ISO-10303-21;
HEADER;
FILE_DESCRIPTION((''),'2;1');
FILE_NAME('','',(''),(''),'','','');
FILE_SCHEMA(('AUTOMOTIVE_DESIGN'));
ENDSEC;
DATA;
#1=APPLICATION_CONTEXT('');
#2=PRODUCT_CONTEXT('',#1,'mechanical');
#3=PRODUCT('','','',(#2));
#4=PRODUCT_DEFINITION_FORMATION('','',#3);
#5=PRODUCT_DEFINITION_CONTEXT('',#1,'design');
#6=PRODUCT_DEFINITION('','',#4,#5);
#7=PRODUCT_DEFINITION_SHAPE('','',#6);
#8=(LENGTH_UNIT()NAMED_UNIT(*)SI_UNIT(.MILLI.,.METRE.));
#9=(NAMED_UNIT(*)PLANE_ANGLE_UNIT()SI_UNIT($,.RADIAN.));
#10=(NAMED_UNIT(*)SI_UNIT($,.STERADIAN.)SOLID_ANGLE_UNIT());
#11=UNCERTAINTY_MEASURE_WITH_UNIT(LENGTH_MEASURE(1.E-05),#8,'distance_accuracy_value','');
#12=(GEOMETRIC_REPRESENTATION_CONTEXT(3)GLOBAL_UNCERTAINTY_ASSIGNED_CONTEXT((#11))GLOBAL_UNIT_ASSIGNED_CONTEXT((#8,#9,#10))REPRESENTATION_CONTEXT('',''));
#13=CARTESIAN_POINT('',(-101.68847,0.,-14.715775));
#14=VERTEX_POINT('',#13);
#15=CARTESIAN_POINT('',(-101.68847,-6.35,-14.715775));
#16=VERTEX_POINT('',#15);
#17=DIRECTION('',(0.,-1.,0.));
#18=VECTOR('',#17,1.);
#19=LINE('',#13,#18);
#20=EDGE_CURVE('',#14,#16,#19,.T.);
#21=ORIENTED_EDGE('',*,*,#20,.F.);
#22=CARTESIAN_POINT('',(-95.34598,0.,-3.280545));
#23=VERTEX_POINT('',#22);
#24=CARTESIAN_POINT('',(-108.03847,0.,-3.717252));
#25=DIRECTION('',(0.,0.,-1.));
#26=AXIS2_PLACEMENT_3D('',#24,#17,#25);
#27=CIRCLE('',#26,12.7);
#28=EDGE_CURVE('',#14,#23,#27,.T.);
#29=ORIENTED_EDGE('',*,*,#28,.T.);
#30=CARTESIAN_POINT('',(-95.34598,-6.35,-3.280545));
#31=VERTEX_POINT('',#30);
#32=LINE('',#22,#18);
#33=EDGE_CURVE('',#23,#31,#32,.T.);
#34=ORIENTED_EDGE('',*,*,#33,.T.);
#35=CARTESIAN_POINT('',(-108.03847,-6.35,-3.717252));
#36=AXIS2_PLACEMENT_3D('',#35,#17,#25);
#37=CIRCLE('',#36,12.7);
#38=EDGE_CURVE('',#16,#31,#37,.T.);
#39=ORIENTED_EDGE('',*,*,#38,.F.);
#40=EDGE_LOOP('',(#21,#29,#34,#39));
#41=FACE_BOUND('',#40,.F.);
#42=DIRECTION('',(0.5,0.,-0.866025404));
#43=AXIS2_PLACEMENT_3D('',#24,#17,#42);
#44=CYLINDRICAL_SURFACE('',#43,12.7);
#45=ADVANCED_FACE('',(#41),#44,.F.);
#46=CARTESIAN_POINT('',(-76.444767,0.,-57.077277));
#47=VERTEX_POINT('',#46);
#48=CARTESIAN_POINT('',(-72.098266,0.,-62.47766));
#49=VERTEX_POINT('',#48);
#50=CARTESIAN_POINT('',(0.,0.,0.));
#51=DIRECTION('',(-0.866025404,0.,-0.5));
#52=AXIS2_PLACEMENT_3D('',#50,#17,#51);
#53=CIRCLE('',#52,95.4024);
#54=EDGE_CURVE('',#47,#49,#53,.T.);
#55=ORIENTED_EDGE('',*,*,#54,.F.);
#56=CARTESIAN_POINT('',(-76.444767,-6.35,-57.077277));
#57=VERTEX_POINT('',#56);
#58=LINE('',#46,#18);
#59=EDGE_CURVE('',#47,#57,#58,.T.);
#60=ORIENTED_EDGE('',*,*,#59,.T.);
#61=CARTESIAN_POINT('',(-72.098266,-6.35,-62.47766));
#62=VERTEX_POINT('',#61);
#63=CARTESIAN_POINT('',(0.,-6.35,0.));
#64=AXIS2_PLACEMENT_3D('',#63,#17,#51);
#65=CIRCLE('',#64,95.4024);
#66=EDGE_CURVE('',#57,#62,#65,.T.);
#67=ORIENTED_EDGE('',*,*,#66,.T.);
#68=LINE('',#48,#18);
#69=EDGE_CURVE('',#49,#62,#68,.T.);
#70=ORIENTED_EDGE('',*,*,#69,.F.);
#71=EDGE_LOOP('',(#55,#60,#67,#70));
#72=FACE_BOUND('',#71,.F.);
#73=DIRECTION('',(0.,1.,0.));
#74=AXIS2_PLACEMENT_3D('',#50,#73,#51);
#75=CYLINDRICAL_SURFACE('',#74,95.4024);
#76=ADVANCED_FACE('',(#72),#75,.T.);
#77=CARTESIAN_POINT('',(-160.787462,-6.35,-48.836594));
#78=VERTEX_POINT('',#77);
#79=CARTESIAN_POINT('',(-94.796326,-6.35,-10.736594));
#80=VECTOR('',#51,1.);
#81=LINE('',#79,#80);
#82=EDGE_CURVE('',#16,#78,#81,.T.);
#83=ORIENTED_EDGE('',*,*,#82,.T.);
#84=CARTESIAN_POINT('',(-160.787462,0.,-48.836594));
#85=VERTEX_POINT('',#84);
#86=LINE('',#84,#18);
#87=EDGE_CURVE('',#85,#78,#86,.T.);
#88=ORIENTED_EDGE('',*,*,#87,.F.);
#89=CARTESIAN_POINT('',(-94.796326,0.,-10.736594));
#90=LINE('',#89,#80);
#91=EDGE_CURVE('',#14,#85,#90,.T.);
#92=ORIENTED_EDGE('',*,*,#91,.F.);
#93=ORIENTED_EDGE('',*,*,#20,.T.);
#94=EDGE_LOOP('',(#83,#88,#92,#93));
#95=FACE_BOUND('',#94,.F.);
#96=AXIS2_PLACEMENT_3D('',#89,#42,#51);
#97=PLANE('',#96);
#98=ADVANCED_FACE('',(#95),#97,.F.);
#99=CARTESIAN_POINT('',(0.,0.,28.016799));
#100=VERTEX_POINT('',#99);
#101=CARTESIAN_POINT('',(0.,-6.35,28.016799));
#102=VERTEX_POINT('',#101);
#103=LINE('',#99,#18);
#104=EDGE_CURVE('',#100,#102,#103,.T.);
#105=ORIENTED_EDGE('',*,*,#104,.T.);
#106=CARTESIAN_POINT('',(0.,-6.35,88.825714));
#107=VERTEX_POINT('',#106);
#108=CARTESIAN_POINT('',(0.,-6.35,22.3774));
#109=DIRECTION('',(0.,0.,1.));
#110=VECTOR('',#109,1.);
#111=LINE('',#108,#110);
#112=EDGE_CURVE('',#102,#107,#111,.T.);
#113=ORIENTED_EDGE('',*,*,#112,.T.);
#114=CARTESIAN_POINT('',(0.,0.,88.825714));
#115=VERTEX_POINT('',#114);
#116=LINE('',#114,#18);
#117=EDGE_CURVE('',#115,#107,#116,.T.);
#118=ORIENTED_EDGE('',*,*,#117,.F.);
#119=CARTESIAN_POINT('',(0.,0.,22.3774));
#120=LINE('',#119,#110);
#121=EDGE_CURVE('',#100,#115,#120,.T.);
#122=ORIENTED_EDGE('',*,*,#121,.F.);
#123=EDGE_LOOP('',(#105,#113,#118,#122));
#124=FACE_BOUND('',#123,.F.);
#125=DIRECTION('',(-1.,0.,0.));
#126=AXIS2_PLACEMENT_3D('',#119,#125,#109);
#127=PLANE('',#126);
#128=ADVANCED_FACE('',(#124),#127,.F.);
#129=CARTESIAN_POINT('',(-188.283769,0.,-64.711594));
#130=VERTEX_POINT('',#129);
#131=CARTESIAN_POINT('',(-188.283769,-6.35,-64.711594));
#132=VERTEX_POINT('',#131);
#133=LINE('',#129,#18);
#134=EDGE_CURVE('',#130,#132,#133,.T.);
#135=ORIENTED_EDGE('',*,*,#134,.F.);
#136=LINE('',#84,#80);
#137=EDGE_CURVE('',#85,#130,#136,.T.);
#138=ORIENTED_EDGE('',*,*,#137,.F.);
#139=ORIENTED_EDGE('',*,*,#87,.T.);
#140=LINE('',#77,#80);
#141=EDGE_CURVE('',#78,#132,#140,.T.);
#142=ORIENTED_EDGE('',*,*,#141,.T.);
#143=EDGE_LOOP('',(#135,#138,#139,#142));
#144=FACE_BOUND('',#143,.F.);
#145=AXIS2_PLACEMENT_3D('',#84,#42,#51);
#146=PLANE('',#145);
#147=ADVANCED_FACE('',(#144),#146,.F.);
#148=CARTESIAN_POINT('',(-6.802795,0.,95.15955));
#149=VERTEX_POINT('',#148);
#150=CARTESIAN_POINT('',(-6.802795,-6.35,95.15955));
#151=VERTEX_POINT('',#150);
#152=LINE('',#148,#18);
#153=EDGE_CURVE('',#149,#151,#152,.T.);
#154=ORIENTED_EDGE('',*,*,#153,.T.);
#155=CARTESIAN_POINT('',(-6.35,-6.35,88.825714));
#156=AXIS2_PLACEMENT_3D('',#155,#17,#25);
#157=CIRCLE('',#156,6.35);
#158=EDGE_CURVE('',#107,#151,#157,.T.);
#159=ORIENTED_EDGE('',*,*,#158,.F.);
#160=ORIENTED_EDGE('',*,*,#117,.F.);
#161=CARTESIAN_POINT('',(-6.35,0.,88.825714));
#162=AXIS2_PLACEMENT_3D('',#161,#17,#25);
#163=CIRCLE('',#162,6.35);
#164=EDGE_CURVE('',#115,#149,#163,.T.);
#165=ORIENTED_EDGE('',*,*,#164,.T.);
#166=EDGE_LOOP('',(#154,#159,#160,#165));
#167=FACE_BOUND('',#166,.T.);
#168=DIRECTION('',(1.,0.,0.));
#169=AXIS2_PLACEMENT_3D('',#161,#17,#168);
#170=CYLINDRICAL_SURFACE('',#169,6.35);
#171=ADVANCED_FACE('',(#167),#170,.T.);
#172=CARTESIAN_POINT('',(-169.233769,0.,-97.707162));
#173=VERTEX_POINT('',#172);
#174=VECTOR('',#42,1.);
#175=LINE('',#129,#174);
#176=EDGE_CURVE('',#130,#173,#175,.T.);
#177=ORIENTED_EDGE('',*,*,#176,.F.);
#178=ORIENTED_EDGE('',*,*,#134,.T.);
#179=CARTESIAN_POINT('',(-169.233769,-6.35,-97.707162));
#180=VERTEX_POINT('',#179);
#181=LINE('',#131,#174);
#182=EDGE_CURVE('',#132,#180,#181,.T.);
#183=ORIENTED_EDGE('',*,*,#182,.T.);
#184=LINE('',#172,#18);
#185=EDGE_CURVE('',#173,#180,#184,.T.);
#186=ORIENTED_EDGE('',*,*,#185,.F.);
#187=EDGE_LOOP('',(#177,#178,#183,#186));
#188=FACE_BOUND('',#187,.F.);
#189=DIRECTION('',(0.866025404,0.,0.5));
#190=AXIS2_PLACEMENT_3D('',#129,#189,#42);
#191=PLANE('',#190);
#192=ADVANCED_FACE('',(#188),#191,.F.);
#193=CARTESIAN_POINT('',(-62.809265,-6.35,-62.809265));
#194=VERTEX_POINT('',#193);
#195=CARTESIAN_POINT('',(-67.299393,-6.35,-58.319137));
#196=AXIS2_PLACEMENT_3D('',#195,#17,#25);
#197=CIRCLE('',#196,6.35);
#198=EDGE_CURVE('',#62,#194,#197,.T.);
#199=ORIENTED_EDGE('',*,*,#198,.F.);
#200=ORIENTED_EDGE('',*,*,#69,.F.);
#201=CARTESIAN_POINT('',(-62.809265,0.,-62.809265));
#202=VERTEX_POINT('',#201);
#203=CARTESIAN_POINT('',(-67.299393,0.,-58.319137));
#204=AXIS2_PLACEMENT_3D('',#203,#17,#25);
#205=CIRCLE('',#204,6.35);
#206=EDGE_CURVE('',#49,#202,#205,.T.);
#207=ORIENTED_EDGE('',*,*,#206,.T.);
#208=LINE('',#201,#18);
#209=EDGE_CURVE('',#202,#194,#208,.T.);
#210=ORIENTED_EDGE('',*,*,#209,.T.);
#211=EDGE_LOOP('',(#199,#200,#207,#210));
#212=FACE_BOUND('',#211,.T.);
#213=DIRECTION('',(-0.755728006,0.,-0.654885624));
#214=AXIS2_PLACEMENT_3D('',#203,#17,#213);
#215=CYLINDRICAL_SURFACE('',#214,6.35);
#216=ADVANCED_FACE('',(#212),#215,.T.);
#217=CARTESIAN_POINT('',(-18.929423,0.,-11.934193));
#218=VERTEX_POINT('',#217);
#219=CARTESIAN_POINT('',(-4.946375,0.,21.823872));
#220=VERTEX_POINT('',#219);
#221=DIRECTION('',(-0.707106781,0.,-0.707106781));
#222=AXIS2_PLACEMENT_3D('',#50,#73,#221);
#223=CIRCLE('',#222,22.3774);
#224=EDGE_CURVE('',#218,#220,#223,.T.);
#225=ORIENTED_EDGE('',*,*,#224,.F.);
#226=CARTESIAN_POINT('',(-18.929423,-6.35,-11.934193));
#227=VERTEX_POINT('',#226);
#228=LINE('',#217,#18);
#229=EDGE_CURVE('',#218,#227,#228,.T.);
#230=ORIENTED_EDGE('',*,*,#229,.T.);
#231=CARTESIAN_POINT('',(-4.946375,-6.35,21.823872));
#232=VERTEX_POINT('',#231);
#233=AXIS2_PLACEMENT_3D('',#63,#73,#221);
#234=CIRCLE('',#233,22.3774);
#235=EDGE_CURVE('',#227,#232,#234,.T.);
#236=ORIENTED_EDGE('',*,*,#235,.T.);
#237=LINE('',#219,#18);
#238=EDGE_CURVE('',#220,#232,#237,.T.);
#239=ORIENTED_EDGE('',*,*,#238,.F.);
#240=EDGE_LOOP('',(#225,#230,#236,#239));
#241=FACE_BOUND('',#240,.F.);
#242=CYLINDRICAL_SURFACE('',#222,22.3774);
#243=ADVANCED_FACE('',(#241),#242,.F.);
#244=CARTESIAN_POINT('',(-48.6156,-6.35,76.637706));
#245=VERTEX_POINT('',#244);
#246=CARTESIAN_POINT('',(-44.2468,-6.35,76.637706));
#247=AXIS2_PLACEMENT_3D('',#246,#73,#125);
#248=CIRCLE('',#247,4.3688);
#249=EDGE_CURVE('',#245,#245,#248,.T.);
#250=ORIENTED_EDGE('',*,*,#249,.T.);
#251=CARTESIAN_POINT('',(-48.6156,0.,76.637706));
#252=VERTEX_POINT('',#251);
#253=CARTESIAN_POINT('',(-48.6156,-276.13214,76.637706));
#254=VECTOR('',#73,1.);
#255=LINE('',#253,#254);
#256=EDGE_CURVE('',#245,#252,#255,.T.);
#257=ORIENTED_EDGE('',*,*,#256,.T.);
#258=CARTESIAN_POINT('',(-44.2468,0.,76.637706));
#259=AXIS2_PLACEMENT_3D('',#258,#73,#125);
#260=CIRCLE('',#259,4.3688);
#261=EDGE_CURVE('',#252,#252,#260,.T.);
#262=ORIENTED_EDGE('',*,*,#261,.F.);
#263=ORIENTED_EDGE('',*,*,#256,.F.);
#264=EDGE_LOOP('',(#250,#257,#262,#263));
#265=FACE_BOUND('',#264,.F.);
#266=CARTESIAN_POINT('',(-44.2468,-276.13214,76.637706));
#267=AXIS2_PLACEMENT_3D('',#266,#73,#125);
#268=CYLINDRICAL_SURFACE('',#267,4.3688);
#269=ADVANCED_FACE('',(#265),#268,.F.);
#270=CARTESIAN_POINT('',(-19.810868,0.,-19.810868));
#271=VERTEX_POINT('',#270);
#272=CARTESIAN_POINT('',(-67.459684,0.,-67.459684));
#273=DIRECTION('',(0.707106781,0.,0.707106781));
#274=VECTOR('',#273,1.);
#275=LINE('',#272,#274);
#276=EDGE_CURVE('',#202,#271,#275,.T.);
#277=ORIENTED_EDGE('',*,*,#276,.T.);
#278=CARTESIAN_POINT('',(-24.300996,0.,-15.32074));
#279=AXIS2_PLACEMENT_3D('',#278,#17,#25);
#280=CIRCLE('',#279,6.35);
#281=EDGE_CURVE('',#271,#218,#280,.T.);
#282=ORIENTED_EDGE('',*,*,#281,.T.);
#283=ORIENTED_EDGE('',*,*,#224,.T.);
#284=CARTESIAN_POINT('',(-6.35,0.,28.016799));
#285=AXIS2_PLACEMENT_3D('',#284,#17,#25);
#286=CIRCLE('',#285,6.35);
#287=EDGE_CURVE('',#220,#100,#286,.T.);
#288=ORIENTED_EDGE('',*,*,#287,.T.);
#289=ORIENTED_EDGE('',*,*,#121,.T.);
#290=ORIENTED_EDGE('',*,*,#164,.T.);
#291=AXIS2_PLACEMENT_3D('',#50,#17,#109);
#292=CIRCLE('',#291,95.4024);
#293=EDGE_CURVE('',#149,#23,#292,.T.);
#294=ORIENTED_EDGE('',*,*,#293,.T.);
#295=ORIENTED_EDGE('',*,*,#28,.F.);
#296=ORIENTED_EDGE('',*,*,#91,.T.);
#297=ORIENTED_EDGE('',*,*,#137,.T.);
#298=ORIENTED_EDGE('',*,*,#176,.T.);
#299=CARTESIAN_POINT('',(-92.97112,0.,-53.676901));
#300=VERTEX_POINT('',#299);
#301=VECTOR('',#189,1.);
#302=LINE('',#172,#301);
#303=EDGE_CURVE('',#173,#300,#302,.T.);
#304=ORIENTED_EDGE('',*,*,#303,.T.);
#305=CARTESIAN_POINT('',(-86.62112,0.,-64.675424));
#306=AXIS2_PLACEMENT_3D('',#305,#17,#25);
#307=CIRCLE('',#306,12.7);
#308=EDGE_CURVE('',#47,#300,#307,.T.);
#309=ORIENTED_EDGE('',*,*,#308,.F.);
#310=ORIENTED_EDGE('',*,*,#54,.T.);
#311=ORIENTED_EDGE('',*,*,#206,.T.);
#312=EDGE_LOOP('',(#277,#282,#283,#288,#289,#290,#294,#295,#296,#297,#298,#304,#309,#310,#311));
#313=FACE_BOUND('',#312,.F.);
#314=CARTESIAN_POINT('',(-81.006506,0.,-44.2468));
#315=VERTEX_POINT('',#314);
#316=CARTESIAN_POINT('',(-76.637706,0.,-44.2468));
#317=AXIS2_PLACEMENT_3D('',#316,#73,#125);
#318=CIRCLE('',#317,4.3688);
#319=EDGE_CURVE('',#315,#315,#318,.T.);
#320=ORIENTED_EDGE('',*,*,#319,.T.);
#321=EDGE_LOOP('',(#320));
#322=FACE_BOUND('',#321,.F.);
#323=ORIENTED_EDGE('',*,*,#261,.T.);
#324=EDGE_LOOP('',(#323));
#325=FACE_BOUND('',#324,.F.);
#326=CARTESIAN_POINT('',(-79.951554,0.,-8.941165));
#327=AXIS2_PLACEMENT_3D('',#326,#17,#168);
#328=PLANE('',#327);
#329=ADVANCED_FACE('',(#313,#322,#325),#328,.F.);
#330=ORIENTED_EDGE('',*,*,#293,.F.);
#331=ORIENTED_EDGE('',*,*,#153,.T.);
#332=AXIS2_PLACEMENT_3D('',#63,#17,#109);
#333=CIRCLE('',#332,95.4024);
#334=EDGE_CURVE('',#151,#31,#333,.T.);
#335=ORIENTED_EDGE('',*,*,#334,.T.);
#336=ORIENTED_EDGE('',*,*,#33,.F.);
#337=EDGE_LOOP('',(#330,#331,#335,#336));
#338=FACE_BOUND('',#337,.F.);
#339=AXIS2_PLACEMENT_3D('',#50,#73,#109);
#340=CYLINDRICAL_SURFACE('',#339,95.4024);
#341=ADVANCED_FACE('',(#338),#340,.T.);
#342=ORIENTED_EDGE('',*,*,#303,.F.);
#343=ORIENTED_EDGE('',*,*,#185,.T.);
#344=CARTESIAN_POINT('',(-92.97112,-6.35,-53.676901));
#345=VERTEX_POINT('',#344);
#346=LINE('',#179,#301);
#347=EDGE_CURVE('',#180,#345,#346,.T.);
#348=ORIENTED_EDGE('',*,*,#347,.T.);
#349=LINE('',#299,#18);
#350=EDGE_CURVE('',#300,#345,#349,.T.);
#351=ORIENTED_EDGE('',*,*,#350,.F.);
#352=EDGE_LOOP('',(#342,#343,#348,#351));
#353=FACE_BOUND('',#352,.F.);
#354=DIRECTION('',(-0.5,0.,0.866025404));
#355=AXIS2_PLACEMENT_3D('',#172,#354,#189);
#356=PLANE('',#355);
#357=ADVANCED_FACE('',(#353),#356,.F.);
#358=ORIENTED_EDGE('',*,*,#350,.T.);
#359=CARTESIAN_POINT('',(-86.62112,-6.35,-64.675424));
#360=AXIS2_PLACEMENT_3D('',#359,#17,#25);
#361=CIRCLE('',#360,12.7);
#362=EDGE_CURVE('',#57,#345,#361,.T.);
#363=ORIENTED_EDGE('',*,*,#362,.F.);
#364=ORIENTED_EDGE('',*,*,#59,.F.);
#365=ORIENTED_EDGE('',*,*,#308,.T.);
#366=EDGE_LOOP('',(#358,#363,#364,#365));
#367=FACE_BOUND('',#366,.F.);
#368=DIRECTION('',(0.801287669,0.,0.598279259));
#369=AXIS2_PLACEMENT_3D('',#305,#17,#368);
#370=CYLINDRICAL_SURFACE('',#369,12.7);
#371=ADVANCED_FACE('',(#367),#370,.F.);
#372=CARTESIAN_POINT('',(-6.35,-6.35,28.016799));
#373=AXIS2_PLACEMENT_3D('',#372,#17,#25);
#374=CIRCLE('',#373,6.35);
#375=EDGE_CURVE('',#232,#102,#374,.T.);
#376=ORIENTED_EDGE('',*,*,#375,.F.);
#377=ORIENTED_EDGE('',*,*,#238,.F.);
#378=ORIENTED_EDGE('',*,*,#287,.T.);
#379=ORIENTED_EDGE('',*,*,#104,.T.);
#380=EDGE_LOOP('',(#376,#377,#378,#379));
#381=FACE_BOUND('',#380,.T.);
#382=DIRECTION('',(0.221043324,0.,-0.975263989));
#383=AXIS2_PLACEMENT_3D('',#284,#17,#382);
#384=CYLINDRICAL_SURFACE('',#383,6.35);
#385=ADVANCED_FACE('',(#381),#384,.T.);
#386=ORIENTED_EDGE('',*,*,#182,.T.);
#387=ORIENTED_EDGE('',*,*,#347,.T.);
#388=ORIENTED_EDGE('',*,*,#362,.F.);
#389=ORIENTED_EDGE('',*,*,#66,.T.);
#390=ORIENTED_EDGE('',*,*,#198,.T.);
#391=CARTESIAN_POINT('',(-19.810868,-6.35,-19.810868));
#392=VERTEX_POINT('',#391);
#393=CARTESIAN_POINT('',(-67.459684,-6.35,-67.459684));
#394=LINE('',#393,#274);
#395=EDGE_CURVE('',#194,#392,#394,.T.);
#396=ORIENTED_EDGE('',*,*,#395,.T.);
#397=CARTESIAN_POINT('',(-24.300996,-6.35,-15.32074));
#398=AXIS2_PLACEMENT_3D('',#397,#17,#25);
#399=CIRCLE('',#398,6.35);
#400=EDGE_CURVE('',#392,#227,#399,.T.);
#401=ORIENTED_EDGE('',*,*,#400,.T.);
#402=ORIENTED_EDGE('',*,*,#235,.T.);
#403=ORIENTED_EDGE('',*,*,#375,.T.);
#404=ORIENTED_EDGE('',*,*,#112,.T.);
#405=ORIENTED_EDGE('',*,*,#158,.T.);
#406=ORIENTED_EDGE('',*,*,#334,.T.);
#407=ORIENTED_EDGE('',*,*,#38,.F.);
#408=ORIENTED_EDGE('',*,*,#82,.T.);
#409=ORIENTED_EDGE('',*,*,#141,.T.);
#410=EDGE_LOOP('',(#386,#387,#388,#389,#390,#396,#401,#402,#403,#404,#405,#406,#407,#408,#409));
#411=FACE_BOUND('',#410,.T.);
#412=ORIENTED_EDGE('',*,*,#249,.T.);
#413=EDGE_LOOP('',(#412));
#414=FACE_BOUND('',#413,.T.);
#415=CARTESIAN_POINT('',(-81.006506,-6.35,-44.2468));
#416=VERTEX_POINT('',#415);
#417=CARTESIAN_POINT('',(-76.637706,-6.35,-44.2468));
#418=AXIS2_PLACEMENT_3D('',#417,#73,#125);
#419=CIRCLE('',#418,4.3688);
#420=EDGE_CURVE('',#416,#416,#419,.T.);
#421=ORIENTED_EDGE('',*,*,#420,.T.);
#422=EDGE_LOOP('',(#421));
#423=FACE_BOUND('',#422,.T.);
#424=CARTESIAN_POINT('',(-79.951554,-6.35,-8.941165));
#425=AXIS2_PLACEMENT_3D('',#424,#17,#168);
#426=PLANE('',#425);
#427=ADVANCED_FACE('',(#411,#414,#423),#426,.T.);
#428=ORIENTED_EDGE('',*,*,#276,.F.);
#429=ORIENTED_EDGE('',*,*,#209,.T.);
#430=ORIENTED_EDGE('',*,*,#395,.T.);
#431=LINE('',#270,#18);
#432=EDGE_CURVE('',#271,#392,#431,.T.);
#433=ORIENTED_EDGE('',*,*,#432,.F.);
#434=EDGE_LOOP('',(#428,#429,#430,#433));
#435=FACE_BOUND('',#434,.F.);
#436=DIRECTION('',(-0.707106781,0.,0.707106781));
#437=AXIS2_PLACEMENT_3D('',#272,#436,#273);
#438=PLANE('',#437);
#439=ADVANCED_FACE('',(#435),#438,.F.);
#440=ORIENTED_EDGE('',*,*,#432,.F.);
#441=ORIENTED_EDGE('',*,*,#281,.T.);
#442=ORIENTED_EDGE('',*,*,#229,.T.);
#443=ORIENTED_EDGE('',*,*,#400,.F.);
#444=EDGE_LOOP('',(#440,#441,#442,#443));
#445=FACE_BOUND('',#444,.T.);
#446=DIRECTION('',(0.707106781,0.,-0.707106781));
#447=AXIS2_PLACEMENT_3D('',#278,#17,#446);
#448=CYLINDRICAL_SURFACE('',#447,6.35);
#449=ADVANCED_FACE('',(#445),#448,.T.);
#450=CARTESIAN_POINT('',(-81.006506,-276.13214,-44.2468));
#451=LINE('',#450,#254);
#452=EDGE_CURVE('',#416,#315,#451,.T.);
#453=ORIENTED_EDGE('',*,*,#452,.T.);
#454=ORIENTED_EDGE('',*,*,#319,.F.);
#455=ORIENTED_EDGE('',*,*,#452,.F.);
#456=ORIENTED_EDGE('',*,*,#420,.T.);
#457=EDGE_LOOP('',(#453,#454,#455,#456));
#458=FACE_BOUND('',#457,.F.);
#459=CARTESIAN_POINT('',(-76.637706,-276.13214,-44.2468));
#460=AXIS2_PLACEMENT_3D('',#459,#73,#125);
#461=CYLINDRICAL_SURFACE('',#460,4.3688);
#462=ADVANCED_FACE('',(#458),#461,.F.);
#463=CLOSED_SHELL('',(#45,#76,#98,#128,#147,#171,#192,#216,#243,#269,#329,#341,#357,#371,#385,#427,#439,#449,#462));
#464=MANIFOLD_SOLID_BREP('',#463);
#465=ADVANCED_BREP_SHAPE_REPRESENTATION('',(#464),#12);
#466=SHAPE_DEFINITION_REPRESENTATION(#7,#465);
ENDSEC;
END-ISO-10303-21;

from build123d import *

# Parameters (mm, degrees)
F1_DEPTH = 6.35
F3_D     = 8.7376
F4_R     = 12.7
F5_R     = 6.35


with BuildPart() as f1:
    # F0 (on Front) → F1 (new body)
    with BuildSketch(Plane.XZ):
        with BuildLine():
            Line((-141.7374620444, -81.8321618656), (-82.620901982, -47.7012))
            ThreePointArc((-82.620901982, -47.7012), (-75.6878127118, -58.0773013549), (-67.4596839815, -67.4596839815))
            Line((-67.4596839815, -67.4596839815), (-15.8232112853, -15.8232112853))
            ThreePointArc((-15.8232112853, -15.8232112853), (-20.6740218508, 8.5634602394), (0, 22.3774))
            Line((0, 22.3774), (0, 95.4024))
            ThreePointArc((0, 95.4024), (-71.1544614181, 63.5504566943), (-94.7963262761, -10.7365939814))
            Line((-94.7963262761, -10.7365939814), (-160.7874620444, -48.8365939814))
            Line((-160.7874620444, -48.8365939814), (-188.2837686146, -64.7115939814))
            Line((-188.2837686146, -64.7115939814), (-169.2337686146, -97.7071618656))
            Line((-169.2337686146, -97.7071618656), (-141.7374620444, -81.8321618656))
        make_face()
    extrude(amount=F1_DEPTH)

    # F3 (through all)
    with Locations(Plane.XZ.offset(6.35)):
        with Locations((-44.2468, 76.6377056723), (-76.6377056723, -44.2468)):
            Hole(F3_D / 2)

    # F4
    f4_edges = [f1.edges().sort_by_distance(p)[0] for p in [
        (-82.620902, -3.175, -47.7012),
        (-94.796326, -3.175, -10.736594),
    ]]
    fillet(f4_edges, radius=F4_R)

    # F5
    f5_edges = [f1.edges().sort_by_distance(p)[0] for p in [
        (-67.459684, -3.175, -67.459684),
        (-15.823211, -3.175, -15.823211),
        (0, -3.175, 22.3774),
        (0, -3.175, 95.4024),
    ]]
    fillet(f5_edges, radius=F5_R)


solid = f1.part
